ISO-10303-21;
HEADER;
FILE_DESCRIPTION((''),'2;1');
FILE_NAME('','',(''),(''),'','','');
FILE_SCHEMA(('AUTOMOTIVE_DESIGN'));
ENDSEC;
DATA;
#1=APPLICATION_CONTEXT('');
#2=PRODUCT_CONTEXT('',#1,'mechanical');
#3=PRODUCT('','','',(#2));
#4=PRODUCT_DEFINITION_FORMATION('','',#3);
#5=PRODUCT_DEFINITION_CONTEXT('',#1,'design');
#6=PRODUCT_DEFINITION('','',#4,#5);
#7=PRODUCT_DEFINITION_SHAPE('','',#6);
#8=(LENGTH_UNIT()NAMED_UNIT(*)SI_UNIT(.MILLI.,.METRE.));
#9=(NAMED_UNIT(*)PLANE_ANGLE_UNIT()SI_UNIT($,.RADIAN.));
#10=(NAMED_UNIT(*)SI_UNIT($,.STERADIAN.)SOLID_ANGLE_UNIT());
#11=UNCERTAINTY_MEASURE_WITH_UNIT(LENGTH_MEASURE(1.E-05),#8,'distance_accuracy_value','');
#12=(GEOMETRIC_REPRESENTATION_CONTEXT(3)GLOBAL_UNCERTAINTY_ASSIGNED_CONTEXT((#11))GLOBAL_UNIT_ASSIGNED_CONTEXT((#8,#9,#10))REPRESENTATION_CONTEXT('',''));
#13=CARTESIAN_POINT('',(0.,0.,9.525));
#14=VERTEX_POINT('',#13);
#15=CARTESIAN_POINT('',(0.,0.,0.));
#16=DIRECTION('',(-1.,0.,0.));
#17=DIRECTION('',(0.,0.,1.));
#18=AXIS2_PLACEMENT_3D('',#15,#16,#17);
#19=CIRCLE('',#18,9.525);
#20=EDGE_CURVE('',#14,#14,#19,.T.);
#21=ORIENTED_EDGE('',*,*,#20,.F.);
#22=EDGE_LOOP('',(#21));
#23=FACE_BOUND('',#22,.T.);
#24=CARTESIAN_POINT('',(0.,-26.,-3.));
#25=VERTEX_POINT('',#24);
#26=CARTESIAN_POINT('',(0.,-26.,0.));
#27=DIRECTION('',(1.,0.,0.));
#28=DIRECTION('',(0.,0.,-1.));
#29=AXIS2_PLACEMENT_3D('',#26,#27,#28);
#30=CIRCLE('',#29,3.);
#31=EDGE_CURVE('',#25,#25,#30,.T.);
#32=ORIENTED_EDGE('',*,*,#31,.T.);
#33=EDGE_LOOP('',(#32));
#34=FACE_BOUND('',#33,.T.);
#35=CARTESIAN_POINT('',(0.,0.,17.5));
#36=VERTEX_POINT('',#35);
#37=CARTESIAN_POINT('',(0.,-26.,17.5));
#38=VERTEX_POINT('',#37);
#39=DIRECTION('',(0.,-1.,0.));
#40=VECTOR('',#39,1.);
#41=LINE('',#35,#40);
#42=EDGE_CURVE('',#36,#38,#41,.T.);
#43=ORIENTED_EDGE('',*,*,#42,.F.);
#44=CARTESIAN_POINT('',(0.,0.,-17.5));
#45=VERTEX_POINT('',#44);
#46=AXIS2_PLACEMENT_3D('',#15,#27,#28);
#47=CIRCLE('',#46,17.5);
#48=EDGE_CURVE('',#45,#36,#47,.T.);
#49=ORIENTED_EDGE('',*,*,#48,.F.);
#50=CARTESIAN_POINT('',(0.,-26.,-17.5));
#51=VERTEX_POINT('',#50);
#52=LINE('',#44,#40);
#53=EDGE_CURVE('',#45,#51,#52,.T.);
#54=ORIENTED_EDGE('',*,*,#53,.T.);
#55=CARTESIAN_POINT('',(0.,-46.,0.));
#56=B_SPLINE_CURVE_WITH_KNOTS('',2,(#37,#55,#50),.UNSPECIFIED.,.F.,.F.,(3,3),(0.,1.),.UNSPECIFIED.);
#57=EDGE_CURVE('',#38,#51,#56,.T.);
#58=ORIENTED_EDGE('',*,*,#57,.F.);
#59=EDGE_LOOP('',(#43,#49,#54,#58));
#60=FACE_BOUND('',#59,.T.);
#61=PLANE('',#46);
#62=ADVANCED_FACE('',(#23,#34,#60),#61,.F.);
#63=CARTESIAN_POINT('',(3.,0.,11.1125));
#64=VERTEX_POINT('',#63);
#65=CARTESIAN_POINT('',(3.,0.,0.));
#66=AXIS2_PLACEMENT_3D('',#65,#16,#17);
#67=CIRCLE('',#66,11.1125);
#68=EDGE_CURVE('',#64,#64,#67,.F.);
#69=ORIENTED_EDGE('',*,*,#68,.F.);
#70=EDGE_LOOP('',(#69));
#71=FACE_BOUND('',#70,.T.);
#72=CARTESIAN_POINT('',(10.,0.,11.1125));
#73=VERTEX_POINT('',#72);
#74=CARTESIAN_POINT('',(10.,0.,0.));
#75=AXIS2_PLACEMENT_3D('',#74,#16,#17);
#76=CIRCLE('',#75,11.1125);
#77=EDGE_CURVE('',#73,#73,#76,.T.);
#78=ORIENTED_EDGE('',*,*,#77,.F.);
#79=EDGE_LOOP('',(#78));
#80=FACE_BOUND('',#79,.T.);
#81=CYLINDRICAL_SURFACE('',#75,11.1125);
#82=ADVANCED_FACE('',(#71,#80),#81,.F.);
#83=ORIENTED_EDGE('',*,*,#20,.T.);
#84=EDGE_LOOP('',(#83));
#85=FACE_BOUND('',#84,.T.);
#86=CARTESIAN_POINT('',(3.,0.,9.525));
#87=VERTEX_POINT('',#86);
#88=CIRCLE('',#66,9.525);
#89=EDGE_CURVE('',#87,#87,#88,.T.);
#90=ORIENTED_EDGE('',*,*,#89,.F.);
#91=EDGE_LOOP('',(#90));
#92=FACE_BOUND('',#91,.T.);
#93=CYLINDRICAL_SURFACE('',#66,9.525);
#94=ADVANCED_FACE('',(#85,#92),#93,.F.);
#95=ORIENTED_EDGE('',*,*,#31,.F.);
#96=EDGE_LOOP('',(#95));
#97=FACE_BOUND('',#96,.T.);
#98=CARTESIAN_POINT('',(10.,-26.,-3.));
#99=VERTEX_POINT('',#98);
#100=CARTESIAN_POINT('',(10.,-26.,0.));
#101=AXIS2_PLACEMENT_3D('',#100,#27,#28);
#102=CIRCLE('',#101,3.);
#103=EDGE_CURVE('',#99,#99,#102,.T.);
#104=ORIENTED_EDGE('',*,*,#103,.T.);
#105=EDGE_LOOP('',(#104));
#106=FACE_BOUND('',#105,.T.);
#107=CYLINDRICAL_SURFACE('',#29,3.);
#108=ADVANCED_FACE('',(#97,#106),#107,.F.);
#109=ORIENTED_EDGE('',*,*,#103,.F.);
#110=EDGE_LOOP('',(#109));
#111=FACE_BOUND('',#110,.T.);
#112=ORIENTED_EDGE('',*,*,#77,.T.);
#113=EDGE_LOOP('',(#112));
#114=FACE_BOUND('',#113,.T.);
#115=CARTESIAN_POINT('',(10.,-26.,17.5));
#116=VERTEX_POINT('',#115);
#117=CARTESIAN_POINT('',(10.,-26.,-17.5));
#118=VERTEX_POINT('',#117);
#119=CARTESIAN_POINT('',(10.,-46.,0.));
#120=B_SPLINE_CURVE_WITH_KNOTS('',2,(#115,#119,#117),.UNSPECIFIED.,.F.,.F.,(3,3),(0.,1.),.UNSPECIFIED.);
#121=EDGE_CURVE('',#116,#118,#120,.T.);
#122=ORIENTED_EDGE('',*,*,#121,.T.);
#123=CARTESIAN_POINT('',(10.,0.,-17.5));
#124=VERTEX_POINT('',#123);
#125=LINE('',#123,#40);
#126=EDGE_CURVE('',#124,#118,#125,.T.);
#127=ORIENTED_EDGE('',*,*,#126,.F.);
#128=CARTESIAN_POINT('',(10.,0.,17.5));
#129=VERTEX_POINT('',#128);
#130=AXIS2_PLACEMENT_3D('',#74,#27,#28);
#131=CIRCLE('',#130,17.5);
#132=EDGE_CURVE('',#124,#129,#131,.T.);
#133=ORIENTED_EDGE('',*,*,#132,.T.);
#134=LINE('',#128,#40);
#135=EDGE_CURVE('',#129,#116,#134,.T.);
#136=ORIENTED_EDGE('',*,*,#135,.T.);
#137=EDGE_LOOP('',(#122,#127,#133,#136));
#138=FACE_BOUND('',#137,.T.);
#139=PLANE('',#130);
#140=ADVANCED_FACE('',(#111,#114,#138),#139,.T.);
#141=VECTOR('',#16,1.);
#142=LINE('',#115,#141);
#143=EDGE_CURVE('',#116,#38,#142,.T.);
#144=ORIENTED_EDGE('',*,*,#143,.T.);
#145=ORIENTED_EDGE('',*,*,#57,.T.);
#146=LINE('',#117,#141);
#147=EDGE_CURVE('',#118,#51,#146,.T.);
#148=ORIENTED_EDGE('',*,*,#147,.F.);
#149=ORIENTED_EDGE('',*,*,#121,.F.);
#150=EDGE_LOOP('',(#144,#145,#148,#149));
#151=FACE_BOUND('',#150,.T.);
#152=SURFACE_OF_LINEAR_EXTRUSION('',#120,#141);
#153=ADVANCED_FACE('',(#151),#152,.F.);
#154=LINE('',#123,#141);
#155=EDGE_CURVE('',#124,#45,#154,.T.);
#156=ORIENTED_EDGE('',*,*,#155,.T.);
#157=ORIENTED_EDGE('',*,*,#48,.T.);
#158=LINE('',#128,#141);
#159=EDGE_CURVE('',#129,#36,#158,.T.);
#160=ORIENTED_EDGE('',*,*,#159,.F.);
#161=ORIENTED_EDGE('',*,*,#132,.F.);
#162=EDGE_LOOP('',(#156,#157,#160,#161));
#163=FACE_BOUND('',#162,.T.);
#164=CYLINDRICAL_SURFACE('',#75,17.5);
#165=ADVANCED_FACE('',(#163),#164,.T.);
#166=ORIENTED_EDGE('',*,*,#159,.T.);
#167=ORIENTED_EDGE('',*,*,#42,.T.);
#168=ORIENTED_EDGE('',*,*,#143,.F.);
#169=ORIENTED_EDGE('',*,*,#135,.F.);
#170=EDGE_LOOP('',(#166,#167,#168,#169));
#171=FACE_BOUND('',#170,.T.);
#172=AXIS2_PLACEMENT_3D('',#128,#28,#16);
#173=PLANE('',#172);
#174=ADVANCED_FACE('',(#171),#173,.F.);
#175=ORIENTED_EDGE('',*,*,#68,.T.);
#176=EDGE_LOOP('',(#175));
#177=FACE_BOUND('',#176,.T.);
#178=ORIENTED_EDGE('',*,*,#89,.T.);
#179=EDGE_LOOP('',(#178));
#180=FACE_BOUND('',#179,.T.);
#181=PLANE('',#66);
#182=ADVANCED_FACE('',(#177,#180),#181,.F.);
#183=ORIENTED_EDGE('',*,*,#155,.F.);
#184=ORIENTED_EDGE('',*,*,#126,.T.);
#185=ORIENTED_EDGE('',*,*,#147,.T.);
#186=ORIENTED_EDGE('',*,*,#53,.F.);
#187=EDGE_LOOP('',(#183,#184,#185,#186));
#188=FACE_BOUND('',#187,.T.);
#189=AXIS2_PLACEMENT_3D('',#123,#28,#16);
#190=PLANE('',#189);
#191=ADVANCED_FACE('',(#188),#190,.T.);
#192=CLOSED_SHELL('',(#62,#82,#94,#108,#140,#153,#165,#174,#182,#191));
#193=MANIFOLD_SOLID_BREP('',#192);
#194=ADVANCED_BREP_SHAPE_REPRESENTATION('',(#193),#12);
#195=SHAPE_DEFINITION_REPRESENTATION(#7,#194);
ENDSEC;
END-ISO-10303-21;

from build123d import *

# Parameters (mm, degrees)
CROQUIS1_R              = 2.5
SALIENTE_EXTRUIR2_DEPTH = 10
CROQUIS2_R              = 17.5
CROQUIS2_R_2            = 11.1125
SALIENTE_EXTRUIR3_DEPTH = 10
CROQUIS3_R              = 11.1125
CORTAR_EXTRUIR1_DEPTH   = 10
CROQUIS4_R              = 11.1125
CROQUIS4_R_2            = 9.525
SALIENTE_EXTRUIR4_DEPTH = 3
CROQUIS5_R              = 3
CORTAR_EXTRUIR2_DEPTH   = 10


with BuildPart() as part:
    # Croquis1 → Saliente-Extruir2 (new body)
    with BuildSketch(Plane(origin=(0, 0, 0), x_dir=(0, 0, -1), z_dir=(1, 0, 0))):
        with BuildLine():
            Line((17.5, -26), (17.5, 0))
            ThreePointArc((17.5, 0), (0, 17.5), (-17.5, 0))
            Line((-17.5, 0), (-17.5, -26))
            add(Edge.make_bspline(
                [(-17.5, -26), (0, -46), (17.5, -26)],
                knots=[0, 0, 0, 1, 1, 1], degree=2))
        make_face()
        with Locations((0, -26)):
            Circle(CROQUIS1_R, mode=Mode.SUBTRACT)
        with BuildLine():
            Line((-13.783729421, -3.874119675), (-3.536778655, 13.874119675))
            ThreePointArc((-3.536778655, 13.874119675), (-2.922822403, 14.532391234), (-2.082378285, 14.854753471))
            ThreePointArc((-2.082378285, 14.854753471), (0, 15), (2.082378285, 14.854753471))
            ThreePointArc((2.082378285, 14.854753471), (2.922822403, 14.532391234), (3.536778655, 13.874119675))
            Line((3.536778655, 13.874119675), (13.783729421, -3.874119675))
            ThreePointArc((13.783729421, -3.874119675), (14.046831188, -4.734957166), (13.905783015, -5.62398424))
            ThreePointArc((13.905783015, -5.62398424), (12.990381057, -7.5), (11.82340473, -9.230769231))
            ThreePointArc((11.82340473, -9.230769231), (11.124008785, -9.797434069), (10.246950766, -10))
            Line((10.246950766, -10), (-10.246950766, -10))
            ThreePointArc((-10.246950766, -10), (-11.124008785, -9.797434069), (-11.82340473, -9.230769231))
            ThreePointArc((-11.82340473, -9.230769231), (-12.990381057, -7.5), (-13.905783015, -5.62398424))
            ThreePointArc((-13.905783015, -5.62398424), (-14.046831188, -4.734957166), (-13.783729421, -3.874119675))
        make_face(mode=Mode.SUBTRACT)
    extrude(amount=SALIENTE_EXTRUIR2_DEPTH)

    # Croquis2 → Saliente-Extruir3 (add)
    with BuildSketch(Plane.ZY):
        Circle(CROQUIS2_R)
        Circle(CROQUIS2_R_2, mode=Mode.SUBTRACT)
    extrude(amount=-SALIENTE_EXTRUIR3_DEPTH)

    # Croquis3 → Cortar-Extruir1 (cut)
    with BuildSketch(Plane.ZY):
        Circle(CROQUIS3_R)
    extrude(amount=-CORTAR_EXTRUIR1_DEPTH, mode=Mode.SUBTRACT)

    # Croquis4 → Saliente-Extruir4 (add)
    with BuildSketch(Plane.ZY):
        Circle(CROQUIS4_R)
        Circle(CROQUIS4_R_2, mode=Mode.SUBTRACT)
    extrude(amount=-SALIENTE_EXTRUIR4_DEPTH)

    # Croquis5 → Cortar-Extruir2 (cut)
    with BuildSketch(Plane(origin=(10, 0, 0), x_dir=(0, 0, -1), z_dir=(1, 0, 0))):
        with Locations((0, -26)):
            Circle(CROQUIS5_R)
    extrude(amount=-CORTAR_EXTRUIR2_DEPTH, mode=Mode.SUBTRACT)


solid = part.part
